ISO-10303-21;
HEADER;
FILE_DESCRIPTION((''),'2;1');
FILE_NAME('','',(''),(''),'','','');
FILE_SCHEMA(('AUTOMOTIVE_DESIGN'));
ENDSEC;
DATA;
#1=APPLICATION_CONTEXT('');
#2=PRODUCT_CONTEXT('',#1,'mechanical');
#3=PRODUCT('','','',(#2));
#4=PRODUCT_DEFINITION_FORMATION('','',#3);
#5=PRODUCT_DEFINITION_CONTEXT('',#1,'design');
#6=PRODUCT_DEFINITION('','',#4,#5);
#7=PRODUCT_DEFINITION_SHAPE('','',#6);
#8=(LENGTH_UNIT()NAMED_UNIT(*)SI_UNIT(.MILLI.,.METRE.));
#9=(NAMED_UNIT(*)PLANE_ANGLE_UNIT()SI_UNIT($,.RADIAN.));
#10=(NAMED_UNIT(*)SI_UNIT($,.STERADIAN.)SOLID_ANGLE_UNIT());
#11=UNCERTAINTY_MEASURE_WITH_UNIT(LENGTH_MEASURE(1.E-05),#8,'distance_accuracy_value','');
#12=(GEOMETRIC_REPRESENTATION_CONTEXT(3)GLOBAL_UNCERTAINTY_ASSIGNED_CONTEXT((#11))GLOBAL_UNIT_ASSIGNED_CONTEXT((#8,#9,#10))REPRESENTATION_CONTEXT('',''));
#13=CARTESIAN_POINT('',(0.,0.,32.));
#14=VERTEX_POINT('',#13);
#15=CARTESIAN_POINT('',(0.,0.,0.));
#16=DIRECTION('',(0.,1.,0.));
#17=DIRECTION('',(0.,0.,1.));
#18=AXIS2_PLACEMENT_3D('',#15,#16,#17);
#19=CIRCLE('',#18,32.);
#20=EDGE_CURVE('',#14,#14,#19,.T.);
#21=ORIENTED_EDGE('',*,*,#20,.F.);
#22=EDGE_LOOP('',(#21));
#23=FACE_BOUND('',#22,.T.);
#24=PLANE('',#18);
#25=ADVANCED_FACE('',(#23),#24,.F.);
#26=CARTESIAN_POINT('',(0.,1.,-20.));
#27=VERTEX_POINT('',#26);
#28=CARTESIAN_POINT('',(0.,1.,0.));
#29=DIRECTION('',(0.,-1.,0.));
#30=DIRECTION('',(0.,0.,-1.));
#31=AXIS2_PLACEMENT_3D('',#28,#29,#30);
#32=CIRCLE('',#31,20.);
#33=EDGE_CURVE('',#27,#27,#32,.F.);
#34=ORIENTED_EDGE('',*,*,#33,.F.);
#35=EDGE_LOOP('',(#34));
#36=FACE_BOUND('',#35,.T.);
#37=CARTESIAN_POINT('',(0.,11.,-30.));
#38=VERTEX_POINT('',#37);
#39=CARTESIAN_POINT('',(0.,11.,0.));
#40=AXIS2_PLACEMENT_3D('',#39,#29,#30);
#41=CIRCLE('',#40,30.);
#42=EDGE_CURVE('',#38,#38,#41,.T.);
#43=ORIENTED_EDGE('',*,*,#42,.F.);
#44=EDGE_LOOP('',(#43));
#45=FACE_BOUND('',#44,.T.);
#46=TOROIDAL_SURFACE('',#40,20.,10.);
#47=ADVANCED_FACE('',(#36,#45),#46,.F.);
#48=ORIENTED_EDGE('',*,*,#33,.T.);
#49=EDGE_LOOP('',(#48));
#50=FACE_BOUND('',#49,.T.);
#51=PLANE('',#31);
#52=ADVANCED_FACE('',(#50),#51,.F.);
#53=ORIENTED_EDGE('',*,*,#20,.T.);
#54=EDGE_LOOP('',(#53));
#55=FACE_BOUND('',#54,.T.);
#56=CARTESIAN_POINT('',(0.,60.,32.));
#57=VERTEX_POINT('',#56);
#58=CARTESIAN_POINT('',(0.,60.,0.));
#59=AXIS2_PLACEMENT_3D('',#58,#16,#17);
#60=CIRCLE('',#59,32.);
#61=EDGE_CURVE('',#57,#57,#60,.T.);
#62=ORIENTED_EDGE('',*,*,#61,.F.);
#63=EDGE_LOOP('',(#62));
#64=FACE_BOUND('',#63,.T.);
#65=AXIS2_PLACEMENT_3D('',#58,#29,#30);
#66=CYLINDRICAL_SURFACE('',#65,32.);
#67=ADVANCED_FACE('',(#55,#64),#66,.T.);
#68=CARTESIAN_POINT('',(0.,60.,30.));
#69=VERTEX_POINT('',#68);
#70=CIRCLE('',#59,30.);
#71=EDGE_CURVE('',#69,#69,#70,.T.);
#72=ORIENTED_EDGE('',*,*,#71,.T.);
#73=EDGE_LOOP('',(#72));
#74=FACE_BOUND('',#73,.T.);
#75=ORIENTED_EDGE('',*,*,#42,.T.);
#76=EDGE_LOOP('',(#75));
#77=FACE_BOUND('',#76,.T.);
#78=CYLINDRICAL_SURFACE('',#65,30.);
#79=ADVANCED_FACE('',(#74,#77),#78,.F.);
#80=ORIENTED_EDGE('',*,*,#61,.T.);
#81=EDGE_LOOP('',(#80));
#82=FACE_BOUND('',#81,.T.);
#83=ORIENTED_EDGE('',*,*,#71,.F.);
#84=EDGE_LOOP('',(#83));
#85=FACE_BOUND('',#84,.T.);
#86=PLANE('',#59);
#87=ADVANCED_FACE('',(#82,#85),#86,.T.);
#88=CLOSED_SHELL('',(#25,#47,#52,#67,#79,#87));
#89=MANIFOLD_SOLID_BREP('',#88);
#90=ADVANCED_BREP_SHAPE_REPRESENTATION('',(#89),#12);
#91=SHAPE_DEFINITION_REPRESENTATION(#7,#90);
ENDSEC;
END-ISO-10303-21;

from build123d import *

# Parameters (mm, degrees)
ESQUISSE2_R        = 32
ESQUISSE2_R_2      = 30
BOSS_EXTRU_2_DEPTH = 60
ESQUISSE3_R        = 32
BOSS_EXTRU_3_DEPTH = 1
CONG_1_R           = 10


with BuildPart() as part:
    # Esquisse2 → Boss.-Extru.2 (new body)
    with BuildSketch(Plane(origin=(0, 0, 0), x_dir=(1, 0, 0), z_dir=(0, 1, 0))):
        with Locations(Location((0, 0, 0), (0, 0, 270))):
            Circle(ESQUISSE2_R)
        with Locations(Location((0, 0, 0), (0, 0, 270))):
            Circle(ESQUISSE2_R_2, mode=Mode.SUBTRACT)
    extrude(amount=BOSS_EXTRU_2_DEPTH)

    # Esquisse3 → Boss.-Extru.3 (add)
    with BuildSketch(Plane.XZ):
        with Locations(Location((0, 0, 0), (0, 0, 90))):
            Circle(ESQUISSE3_R)
    extrude(amount=-BOSS_EXTRU_3_DEPTH)

    # Congé1
    cong_1_edges = [part.edges().sort_by_distance(p)[0] for p in [
        (0, 1, -30),
    ]]
    fillet(cong_1_edges, radius=CONG_1_R)


solid = part.part
